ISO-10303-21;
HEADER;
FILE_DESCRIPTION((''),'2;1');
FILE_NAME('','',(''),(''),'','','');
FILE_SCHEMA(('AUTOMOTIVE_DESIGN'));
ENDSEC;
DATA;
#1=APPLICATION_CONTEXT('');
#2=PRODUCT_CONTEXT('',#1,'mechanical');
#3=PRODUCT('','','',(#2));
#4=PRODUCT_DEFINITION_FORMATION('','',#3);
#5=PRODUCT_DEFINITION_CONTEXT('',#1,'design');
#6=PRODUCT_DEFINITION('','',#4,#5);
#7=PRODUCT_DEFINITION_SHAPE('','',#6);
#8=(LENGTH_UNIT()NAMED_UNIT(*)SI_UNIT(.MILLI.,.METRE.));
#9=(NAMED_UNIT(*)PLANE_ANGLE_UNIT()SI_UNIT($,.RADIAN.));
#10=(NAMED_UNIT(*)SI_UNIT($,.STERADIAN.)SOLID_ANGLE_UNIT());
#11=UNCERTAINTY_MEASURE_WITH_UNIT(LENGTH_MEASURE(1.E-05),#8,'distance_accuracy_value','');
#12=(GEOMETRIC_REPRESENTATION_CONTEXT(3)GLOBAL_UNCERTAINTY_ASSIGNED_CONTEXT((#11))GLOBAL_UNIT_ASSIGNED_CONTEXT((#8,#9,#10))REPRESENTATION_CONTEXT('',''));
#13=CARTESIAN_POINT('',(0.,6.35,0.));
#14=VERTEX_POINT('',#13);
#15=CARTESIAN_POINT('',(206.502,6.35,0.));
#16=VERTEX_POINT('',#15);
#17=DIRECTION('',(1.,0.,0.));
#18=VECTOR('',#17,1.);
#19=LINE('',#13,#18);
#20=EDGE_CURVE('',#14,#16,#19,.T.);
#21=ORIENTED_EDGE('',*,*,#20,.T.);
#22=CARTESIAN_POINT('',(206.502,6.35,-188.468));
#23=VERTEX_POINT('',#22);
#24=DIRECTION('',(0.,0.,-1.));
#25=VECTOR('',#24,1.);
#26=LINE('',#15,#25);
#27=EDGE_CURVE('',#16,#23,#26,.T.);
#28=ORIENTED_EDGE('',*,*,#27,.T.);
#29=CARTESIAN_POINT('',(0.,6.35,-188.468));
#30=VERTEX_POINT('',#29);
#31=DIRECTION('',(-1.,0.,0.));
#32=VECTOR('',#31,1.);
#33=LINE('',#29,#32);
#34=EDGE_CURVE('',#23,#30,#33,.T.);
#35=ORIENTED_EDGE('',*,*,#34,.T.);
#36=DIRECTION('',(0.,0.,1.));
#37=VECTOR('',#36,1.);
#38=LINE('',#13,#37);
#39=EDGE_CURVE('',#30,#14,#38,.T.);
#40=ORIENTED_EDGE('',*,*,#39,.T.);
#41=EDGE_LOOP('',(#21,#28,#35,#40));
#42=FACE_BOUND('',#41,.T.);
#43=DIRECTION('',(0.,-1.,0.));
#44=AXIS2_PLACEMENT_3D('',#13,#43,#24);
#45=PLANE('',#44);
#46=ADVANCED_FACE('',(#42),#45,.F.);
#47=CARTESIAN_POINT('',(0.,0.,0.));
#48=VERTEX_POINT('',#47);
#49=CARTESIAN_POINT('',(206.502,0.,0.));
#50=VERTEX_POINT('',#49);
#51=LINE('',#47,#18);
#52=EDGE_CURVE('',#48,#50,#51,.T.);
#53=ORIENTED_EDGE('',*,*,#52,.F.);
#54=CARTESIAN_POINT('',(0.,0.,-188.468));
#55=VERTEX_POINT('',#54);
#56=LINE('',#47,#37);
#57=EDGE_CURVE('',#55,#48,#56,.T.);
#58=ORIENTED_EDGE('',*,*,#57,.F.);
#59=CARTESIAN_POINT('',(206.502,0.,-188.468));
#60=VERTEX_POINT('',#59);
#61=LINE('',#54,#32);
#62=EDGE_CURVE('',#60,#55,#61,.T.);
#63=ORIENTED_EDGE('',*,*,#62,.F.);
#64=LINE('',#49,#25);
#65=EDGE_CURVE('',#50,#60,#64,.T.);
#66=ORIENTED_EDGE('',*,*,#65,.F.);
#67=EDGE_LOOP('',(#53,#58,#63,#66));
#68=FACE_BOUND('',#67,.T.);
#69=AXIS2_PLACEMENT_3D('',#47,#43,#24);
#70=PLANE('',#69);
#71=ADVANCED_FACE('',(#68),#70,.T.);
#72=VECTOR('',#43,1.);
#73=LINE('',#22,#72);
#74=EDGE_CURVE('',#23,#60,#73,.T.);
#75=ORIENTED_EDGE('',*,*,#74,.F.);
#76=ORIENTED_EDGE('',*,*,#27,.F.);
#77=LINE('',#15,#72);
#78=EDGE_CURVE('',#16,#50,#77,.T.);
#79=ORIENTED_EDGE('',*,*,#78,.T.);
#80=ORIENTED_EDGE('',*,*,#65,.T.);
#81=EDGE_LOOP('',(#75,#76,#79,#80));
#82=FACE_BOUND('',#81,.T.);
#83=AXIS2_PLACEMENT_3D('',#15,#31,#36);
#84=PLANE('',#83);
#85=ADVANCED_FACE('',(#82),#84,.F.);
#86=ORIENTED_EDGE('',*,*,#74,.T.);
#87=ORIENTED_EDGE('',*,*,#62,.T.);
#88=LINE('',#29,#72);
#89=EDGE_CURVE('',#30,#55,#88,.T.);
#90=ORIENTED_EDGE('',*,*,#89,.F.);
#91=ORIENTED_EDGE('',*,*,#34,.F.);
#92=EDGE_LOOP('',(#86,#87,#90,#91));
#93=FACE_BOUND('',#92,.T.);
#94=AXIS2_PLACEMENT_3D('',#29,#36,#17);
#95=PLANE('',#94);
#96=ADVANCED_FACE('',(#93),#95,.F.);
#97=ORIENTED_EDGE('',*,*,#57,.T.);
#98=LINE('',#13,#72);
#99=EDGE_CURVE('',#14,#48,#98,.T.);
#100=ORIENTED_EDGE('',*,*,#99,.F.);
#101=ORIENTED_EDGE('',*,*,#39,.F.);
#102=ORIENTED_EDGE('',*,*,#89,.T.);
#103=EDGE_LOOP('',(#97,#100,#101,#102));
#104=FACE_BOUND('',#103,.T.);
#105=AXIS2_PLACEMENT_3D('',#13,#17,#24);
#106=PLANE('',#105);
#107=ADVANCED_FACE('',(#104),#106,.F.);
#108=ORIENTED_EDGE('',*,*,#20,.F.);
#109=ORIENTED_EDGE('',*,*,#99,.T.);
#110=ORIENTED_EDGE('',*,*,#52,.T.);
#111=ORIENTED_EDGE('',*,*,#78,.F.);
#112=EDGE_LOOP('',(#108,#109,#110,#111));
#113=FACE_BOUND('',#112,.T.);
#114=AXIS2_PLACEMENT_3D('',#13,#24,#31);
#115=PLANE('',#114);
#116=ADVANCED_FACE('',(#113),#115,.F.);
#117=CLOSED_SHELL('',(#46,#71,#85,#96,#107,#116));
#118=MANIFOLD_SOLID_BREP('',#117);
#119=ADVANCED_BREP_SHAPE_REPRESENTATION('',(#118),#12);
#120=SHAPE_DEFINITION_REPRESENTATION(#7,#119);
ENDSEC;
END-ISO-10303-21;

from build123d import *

# Parameters (mm, degrees)
SKETCH1_W           = 206.502
SKETCH1_H           = 188.468
BOSS_EXTRUDE1_DEPTH = 6.35


with BuildPart() as part:
    # Sketch1 → Boss-Extrude1 (new body)
    with BuildSketch(Plane(origin=(0, 0, 0), x_dir=(1, 0, 0), z_dir=(0, 1, 0))):
        with Locations((103.251, 94.234)):
            Rectangle(SKETCH1_W, SKETCH1_H)
    extrude(amount=BOSS_EXTRUDE1_DEPTH)


solid = part.part
